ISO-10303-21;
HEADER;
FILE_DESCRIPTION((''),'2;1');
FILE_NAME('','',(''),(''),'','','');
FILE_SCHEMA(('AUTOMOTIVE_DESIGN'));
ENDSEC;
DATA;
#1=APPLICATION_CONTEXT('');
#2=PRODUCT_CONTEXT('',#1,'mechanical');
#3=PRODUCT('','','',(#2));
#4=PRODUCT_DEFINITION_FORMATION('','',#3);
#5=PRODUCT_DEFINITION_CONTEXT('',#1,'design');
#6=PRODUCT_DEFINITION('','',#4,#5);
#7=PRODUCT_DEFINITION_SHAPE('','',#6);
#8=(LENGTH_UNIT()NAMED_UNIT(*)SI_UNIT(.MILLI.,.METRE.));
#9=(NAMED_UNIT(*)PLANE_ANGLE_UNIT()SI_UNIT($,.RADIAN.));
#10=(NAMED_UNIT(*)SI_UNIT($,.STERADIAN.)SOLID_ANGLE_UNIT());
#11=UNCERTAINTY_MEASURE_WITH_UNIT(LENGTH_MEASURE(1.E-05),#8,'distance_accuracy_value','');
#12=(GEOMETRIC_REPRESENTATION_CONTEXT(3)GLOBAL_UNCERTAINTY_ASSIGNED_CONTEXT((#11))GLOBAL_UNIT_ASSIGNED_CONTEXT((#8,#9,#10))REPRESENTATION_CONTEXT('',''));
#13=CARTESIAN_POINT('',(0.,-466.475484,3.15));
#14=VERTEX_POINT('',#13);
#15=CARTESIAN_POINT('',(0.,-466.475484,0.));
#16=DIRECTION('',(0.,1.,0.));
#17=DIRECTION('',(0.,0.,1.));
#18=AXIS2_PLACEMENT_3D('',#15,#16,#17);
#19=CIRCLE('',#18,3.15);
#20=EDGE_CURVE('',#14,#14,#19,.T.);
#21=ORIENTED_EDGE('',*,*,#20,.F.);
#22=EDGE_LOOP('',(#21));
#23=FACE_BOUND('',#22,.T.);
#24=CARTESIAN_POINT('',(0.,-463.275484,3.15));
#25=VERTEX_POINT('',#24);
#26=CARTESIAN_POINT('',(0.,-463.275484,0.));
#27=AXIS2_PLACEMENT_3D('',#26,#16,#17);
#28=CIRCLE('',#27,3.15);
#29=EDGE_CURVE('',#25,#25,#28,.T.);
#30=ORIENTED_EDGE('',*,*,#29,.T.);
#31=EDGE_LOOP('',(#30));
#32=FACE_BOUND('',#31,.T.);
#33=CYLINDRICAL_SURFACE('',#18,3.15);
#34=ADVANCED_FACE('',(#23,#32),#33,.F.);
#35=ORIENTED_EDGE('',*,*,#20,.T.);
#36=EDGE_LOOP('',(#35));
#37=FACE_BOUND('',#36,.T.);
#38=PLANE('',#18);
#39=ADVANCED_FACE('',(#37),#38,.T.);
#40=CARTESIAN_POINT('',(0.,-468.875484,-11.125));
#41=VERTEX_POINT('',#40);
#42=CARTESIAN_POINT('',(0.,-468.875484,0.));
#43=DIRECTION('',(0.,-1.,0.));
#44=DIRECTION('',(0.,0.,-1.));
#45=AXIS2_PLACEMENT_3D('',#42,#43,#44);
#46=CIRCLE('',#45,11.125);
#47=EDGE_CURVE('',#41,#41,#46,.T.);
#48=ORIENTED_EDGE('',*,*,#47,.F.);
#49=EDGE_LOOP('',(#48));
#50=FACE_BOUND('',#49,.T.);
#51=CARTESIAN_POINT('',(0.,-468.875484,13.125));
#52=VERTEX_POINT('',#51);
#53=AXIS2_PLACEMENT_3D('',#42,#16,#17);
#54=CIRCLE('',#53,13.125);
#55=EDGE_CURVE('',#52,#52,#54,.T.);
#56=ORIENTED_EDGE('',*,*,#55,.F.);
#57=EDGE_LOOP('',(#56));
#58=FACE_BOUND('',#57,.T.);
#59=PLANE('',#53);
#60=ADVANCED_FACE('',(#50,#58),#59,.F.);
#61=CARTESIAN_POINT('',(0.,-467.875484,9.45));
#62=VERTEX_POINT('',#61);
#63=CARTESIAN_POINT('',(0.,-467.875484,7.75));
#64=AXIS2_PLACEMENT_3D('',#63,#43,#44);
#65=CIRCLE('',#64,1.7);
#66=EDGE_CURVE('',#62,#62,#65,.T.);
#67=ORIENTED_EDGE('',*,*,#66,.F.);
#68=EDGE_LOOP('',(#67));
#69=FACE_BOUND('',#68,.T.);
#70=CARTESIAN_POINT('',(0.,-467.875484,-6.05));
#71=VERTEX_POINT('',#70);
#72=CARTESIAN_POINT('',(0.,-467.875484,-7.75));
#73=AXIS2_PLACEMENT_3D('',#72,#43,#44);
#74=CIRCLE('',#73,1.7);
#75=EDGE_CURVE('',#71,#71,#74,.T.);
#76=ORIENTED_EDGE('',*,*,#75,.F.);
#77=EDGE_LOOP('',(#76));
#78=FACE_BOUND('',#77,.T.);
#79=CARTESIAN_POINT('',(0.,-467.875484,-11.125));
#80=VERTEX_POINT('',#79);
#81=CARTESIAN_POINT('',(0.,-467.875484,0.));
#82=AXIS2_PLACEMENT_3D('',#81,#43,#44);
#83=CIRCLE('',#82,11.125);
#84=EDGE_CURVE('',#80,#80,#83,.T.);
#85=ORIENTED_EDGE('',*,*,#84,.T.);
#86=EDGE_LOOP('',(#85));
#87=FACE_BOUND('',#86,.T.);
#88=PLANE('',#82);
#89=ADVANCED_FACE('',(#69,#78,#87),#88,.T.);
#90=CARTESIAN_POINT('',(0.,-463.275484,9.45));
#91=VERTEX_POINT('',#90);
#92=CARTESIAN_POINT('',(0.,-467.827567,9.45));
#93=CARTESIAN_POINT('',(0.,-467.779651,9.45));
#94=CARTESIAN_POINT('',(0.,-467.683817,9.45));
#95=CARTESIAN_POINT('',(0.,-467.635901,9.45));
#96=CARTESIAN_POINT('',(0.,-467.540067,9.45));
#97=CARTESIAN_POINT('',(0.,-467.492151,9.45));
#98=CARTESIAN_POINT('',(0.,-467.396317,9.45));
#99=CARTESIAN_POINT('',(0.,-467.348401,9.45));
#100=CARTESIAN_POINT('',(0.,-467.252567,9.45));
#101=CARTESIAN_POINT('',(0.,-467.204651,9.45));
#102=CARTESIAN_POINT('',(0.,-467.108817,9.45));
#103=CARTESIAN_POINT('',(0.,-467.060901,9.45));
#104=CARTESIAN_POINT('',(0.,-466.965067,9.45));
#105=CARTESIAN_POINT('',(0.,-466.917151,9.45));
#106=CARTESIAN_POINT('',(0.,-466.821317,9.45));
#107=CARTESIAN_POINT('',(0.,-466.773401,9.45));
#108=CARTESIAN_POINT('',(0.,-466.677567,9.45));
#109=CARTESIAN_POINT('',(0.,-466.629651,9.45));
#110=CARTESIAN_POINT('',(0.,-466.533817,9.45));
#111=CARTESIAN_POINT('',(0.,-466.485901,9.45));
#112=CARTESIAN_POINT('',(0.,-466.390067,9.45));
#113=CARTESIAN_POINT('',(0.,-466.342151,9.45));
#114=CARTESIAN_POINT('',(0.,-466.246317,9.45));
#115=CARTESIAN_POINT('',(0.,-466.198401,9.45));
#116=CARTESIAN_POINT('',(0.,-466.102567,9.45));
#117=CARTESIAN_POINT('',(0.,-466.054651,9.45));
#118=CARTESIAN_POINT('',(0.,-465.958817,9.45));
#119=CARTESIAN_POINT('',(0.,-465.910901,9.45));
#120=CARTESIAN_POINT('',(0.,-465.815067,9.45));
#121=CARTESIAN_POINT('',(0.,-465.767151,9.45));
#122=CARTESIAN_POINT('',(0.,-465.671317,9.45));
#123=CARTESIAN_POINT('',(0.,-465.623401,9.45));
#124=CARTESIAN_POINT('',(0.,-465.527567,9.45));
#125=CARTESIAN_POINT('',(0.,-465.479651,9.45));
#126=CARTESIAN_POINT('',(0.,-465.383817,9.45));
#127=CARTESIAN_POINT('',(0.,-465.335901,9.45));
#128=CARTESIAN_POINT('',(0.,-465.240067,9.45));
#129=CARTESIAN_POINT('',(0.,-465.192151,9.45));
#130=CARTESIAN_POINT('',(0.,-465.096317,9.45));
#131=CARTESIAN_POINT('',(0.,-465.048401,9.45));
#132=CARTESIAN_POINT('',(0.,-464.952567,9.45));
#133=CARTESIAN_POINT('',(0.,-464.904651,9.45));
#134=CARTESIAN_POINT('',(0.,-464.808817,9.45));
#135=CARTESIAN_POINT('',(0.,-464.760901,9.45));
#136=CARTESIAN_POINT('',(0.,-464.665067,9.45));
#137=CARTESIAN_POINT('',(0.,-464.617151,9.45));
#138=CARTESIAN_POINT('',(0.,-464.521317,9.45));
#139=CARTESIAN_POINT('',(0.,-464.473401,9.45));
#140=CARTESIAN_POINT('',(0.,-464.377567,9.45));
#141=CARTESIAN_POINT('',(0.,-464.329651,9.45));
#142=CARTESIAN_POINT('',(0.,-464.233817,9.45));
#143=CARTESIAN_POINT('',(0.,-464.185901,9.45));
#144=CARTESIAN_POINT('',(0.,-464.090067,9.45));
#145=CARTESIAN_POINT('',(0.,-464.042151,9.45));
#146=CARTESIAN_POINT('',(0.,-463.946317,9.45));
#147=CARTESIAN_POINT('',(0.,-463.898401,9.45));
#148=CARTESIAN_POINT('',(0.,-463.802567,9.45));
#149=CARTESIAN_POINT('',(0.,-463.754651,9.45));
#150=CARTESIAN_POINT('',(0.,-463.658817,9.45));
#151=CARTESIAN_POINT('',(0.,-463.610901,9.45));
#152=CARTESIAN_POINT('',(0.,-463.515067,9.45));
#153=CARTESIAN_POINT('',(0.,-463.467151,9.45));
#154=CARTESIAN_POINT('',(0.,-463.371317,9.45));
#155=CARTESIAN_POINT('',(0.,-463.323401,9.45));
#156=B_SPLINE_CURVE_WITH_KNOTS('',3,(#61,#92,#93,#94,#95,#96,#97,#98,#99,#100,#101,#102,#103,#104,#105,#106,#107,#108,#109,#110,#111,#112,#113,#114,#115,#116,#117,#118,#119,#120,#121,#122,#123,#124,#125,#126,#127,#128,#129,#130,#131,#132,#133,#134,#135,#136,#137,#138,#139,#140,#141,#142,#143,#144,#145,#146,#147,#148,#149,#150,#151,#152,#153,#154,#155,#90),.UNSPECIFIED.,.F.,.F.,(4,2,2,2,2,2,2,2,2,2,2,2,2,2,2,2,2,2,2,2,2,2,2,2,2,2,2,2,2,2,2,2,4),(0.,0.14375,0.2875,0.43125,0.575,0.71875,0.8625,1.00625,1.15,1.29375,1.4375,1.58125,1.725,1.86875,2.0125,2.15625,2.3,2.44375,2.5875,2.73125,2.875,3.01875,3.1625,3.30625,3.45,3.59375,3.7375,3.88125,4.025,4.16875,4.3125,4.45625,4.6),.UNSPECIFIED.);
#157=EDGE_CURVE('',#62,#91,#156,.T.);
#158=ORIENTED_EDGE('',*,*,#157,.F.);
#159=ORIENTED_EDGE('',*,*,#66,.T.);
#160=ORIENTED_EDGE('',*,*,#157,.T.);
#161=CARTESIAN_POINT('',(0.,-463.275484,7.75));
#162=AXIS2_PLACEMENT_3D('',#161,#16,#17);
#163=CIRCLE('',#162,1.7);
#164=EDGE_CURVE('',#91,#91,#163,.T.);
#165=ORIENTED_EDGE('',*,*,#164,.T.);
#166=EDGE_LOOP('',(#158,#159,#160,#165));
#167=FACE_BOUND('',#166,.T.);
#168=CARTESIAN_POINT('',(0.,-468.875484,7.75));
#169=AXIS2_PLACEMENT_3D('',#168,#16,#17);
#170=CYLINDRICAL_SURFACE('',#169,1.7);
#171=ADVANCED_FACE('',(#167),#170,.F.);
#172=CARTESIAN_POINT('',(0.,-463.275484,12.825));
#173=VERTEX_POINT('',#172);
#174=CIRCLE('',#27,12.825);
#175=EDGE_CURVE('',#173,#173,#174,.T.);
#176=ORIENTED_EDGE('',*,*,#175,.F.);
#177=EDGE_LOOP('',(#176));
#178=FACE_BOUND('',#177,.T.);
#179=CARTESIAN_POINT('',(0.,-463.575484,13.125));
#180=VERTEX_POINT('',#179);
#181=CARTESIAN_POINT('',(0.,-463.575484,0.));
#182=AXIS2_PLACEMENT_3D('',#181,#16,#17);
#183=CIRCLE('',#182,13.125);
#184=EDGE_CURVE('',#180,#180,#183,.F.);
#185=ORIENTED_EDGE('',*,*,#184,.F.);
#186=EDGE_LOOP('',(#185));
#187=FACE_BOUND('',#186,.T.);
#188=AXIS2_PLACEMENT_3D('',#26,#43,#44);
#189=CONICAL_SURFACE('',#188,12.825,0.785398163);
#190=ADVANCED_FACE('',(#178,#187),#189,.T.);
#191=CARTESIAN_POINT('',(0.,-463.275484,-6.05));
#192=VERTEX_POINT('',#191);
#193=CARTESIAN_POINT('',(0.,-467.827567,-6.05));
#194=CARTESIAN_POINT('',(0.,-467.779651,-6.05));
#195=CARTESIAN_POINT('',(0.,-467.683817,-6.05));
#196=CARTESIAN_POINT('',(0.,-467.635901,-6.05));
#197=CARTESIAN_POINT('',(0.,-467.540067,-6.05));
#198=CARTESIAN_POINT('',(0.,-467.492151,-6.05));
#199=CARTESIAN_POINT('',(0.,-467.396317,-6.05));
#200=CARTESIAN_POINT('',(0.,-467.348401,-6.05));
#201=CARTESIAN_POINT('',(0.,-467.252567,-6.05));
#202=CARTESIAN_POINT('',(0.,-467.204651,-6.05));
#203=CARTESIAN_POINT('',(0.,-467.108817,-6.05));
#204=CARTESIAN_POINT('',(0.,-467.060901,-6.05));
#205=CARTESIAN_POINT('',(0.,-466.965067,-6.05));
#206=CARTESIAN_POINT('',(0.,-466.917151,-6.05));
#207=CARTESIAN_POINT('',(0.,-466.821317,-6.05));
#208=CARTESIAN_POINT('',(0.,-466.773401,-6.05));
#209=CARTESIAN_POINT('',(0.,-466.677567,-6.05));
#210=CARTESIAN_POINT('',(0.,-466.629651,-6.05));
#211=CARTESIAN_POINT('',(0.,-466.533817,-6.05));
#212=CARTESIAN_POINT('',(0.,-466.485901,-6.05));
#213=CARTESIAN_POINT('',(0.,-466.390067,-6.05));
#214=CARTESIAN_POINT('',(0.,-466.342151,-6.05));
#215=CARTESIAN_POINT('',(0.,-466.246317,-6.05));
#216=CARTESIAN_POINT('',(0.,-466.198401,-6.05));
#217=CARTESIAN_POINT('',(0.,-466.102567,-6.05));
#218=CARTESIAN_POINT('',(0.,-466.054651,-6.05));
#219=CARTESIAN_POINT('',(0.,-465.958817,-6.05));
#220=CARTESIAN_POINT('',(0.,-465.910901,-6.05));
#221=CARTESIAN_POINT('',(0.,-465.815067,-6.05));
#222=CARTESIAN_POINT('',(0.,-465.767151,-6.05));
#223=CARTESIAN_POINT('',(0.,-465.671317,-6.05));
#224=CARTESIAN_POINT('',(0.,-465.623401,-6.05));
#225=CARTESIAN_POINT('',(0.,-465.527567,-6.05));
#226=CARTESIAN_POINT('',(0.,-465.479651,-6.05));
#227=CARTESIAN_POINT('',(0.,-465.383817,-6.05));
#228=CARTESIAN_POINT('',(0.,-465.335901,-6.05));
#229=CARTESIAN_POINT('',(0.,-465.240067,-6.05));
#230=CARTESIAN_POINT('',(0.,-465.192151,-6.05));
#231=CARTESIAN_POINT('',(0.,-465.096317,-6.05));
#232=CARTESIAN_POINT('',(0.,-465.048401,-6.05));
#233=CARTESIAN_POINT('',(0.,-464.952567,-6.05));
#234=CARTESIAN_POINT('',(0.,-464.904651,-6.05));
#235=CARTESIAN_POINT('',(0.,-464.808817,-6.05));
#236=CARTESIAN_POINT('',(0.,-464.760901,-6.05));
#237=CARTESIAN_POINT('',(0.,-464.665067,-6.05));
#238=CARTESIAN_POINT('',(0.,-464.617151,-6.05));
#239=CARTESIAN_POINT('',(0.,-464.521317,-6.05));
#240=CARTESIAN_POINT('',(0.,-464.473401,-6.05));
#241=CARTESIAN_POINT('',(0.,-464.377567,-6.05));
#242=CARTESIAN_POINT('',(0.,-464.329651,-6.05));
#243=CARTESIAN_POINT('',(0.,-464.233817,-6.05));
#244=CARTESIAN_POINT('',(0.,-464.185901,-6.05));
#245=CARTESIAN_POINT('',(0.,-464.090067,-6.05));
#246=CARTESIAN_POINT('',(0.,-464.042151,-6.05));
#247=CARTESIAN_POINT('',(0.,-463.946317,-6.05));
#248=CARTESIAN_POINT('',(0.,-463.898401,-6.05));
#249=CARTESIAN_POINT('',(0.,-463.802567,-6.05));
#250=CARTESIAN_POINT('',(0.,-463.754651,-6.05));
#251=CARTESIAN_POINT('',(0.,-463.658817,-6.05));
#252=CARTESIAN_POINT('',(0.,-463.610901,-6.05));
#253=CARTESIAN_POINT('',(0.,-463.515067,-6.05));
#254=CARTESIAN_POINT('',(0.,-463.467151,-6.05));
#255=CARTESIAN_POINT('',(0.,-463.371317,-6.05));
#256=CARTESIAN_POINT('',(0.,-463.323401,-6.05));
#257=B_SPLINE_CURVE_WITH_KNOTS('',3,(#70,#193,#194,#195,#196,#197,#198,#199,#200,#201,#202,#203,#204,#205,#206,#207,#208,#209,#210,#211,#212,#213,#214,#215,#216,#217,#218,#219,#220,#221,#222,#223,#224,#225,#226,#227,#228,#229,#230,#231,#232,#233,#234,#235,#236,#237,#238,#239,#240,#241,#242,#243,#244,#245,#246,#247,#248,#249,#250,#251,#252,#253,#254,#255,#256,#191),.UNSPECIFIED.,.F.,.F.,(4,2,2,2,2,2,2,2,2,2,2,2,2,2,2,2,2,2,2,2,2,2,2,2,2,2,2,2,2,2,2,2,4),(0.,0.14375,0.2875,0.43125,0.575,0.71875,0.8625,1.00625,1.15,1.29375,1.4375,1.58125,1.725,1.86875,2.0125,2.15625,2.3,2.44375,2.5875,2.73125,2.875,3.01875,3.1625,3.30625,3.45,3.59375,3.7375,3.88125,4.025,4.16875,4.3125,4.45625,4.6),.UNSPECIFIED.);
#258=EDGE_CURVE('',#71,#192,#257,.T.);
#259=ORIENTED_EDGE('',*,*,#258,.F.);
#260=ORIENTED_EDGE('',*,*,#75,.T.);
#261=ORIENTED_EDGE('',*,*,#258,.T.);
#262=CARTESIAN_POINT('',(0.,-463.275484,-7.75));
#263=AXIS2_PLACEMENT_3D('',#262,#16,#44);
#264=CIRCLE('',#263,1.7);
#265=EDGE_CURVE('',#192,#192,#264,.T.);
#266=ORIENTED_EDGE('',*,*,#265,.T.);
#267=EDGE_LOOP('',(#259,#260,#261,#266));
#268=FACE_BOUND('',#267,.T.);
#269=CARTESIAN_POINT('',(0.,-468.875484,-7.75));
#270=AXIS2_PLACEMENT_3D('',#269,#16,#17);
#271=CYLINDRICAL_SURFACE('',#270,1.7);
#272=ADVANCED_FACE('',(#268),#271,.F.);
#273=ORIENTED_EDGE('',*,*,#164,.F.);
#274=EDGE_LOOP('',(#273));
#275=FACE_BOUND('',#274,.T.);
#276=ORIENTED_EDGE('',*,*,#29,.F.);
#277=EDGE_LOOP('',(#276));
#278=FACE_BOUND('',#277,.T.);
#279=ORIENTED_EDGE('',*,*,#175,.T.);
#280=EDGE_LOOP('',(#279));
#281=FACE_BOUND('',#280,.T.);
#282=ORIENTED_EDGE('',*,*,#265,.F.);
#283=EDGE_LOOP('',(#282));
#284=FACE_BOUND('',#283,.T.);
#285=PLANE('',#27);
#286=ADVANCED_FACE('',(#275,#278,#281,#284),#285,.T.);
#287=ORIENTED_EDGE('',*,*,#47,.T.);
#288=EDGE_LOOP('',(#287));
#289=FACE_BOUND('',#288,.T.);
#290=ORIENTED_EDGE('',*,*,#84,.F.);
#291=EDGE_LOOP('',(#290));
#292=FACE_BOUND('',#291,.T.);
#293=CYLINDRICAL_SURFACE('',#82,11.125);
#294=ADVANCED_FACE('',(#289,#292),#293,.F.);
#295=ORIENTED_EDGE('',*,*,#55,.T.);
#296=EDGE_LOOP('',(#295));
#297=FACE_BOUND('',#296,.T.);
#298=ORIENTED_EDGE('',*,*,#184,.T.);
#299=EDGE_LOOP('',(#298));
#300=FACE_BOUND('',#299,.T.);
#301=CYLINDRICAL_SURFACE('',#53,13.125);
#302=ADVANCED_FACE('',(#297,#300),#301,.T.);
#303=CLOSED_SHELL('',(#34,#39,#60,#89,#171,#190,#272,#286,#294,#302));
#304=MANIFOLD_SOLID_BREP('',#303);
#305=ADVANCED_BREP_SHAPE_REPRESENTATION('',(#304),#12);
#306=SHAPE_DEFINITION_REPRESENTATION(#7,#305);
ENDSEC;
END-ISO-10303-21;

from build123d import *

# Parameters (mm, degrees)
SKETCH8_R           = 13.125
BOSS_EXTRUDE2_DEPTH = 5.6
SKETCH9_R           = 11.125
CUT_EXTRUDE4_DEPTH  = 1
SKETCH10_R          = 3.15
CUT_EXTRUDE5_DEPTH  = 3.2
CHAMFER2_SIZE       = 0.3
SKETCH11_R          = 1.7
CUT_EXTRUDE6_DEPTH  = 20.38791505


with BuildPart() as part:
    # Sketch8 → Boss-Extrude2 (new body)
    with BuildSketch(Plane(origin=(0, -463.275483874, 0), x_dir=(0.32790942623068436, 0, 0.9447091659283631), z_dir=(0, 1, 0))):
        with Locations(Location((0, 0, 0), (0, 0, 340.858064804))):
            Circle(SKETCH8_R)
    extrude(amount=-BOSS_EXTRUDE2_DEPTH)

    # Sketch9 → Cut-Extrude4 (cut)
    with BuildSketch(Plane(origin=(0, -468.875483874, 0), x_dir=(-1, 0, 0), z_dir=(0, -1, 0))):
        with Locations(Location((0, 0, 0), (0, 0, 90))):
            Circle(SKETCH9_R)
    extrude(amount=-CUT_EXTRUDE4_DEPTH, mode=Mode.SUBTRACT)

    # Sketch10 → Cut-Extrude5 (cut)
    with BuildSketch(Plane(origin=(0, -463.275483874, 0), x_dir=(1, 0, 0), z_dir=(0, 1, 0))):
        with Locations(Location((0, 0, 0), (0, 0, 270))):
            Circle(SKETCH10_R)
    extrude(amount=-CUT_EXTRUDE5_DEPTH, mode=Mode.SUBTRACT)

    # Chamfer2
    chamfer2_edges = [part.edges().sort_by_distance(p)[0] for p in [
        (0, -463.275483874, -13.125),
    ]]
    chamfer(chamfer2_edges, length=CHAMFER2_SIZE)

    # Sketch11 → Cut-Extrude6 (cut, through all)
    with BuildSketch(Plane(origin=(0, -463.275483874, 0), x_dir=(1, 0, 0), z_dir=(0, 1, 0))):
        with Locations(Location((0, -7.75, 0), (0, 0, 270))):
            Circle(SKETCH11_R)
        with Locations(Location((0, 7.75, 0), (0, 0, 270))):
            Circle(SKETCH11_R)
    extrude(amount=-CUT_EXTRUDE6_DEPTH, mode=Mode.SUBTRACT)


solid = part.part
